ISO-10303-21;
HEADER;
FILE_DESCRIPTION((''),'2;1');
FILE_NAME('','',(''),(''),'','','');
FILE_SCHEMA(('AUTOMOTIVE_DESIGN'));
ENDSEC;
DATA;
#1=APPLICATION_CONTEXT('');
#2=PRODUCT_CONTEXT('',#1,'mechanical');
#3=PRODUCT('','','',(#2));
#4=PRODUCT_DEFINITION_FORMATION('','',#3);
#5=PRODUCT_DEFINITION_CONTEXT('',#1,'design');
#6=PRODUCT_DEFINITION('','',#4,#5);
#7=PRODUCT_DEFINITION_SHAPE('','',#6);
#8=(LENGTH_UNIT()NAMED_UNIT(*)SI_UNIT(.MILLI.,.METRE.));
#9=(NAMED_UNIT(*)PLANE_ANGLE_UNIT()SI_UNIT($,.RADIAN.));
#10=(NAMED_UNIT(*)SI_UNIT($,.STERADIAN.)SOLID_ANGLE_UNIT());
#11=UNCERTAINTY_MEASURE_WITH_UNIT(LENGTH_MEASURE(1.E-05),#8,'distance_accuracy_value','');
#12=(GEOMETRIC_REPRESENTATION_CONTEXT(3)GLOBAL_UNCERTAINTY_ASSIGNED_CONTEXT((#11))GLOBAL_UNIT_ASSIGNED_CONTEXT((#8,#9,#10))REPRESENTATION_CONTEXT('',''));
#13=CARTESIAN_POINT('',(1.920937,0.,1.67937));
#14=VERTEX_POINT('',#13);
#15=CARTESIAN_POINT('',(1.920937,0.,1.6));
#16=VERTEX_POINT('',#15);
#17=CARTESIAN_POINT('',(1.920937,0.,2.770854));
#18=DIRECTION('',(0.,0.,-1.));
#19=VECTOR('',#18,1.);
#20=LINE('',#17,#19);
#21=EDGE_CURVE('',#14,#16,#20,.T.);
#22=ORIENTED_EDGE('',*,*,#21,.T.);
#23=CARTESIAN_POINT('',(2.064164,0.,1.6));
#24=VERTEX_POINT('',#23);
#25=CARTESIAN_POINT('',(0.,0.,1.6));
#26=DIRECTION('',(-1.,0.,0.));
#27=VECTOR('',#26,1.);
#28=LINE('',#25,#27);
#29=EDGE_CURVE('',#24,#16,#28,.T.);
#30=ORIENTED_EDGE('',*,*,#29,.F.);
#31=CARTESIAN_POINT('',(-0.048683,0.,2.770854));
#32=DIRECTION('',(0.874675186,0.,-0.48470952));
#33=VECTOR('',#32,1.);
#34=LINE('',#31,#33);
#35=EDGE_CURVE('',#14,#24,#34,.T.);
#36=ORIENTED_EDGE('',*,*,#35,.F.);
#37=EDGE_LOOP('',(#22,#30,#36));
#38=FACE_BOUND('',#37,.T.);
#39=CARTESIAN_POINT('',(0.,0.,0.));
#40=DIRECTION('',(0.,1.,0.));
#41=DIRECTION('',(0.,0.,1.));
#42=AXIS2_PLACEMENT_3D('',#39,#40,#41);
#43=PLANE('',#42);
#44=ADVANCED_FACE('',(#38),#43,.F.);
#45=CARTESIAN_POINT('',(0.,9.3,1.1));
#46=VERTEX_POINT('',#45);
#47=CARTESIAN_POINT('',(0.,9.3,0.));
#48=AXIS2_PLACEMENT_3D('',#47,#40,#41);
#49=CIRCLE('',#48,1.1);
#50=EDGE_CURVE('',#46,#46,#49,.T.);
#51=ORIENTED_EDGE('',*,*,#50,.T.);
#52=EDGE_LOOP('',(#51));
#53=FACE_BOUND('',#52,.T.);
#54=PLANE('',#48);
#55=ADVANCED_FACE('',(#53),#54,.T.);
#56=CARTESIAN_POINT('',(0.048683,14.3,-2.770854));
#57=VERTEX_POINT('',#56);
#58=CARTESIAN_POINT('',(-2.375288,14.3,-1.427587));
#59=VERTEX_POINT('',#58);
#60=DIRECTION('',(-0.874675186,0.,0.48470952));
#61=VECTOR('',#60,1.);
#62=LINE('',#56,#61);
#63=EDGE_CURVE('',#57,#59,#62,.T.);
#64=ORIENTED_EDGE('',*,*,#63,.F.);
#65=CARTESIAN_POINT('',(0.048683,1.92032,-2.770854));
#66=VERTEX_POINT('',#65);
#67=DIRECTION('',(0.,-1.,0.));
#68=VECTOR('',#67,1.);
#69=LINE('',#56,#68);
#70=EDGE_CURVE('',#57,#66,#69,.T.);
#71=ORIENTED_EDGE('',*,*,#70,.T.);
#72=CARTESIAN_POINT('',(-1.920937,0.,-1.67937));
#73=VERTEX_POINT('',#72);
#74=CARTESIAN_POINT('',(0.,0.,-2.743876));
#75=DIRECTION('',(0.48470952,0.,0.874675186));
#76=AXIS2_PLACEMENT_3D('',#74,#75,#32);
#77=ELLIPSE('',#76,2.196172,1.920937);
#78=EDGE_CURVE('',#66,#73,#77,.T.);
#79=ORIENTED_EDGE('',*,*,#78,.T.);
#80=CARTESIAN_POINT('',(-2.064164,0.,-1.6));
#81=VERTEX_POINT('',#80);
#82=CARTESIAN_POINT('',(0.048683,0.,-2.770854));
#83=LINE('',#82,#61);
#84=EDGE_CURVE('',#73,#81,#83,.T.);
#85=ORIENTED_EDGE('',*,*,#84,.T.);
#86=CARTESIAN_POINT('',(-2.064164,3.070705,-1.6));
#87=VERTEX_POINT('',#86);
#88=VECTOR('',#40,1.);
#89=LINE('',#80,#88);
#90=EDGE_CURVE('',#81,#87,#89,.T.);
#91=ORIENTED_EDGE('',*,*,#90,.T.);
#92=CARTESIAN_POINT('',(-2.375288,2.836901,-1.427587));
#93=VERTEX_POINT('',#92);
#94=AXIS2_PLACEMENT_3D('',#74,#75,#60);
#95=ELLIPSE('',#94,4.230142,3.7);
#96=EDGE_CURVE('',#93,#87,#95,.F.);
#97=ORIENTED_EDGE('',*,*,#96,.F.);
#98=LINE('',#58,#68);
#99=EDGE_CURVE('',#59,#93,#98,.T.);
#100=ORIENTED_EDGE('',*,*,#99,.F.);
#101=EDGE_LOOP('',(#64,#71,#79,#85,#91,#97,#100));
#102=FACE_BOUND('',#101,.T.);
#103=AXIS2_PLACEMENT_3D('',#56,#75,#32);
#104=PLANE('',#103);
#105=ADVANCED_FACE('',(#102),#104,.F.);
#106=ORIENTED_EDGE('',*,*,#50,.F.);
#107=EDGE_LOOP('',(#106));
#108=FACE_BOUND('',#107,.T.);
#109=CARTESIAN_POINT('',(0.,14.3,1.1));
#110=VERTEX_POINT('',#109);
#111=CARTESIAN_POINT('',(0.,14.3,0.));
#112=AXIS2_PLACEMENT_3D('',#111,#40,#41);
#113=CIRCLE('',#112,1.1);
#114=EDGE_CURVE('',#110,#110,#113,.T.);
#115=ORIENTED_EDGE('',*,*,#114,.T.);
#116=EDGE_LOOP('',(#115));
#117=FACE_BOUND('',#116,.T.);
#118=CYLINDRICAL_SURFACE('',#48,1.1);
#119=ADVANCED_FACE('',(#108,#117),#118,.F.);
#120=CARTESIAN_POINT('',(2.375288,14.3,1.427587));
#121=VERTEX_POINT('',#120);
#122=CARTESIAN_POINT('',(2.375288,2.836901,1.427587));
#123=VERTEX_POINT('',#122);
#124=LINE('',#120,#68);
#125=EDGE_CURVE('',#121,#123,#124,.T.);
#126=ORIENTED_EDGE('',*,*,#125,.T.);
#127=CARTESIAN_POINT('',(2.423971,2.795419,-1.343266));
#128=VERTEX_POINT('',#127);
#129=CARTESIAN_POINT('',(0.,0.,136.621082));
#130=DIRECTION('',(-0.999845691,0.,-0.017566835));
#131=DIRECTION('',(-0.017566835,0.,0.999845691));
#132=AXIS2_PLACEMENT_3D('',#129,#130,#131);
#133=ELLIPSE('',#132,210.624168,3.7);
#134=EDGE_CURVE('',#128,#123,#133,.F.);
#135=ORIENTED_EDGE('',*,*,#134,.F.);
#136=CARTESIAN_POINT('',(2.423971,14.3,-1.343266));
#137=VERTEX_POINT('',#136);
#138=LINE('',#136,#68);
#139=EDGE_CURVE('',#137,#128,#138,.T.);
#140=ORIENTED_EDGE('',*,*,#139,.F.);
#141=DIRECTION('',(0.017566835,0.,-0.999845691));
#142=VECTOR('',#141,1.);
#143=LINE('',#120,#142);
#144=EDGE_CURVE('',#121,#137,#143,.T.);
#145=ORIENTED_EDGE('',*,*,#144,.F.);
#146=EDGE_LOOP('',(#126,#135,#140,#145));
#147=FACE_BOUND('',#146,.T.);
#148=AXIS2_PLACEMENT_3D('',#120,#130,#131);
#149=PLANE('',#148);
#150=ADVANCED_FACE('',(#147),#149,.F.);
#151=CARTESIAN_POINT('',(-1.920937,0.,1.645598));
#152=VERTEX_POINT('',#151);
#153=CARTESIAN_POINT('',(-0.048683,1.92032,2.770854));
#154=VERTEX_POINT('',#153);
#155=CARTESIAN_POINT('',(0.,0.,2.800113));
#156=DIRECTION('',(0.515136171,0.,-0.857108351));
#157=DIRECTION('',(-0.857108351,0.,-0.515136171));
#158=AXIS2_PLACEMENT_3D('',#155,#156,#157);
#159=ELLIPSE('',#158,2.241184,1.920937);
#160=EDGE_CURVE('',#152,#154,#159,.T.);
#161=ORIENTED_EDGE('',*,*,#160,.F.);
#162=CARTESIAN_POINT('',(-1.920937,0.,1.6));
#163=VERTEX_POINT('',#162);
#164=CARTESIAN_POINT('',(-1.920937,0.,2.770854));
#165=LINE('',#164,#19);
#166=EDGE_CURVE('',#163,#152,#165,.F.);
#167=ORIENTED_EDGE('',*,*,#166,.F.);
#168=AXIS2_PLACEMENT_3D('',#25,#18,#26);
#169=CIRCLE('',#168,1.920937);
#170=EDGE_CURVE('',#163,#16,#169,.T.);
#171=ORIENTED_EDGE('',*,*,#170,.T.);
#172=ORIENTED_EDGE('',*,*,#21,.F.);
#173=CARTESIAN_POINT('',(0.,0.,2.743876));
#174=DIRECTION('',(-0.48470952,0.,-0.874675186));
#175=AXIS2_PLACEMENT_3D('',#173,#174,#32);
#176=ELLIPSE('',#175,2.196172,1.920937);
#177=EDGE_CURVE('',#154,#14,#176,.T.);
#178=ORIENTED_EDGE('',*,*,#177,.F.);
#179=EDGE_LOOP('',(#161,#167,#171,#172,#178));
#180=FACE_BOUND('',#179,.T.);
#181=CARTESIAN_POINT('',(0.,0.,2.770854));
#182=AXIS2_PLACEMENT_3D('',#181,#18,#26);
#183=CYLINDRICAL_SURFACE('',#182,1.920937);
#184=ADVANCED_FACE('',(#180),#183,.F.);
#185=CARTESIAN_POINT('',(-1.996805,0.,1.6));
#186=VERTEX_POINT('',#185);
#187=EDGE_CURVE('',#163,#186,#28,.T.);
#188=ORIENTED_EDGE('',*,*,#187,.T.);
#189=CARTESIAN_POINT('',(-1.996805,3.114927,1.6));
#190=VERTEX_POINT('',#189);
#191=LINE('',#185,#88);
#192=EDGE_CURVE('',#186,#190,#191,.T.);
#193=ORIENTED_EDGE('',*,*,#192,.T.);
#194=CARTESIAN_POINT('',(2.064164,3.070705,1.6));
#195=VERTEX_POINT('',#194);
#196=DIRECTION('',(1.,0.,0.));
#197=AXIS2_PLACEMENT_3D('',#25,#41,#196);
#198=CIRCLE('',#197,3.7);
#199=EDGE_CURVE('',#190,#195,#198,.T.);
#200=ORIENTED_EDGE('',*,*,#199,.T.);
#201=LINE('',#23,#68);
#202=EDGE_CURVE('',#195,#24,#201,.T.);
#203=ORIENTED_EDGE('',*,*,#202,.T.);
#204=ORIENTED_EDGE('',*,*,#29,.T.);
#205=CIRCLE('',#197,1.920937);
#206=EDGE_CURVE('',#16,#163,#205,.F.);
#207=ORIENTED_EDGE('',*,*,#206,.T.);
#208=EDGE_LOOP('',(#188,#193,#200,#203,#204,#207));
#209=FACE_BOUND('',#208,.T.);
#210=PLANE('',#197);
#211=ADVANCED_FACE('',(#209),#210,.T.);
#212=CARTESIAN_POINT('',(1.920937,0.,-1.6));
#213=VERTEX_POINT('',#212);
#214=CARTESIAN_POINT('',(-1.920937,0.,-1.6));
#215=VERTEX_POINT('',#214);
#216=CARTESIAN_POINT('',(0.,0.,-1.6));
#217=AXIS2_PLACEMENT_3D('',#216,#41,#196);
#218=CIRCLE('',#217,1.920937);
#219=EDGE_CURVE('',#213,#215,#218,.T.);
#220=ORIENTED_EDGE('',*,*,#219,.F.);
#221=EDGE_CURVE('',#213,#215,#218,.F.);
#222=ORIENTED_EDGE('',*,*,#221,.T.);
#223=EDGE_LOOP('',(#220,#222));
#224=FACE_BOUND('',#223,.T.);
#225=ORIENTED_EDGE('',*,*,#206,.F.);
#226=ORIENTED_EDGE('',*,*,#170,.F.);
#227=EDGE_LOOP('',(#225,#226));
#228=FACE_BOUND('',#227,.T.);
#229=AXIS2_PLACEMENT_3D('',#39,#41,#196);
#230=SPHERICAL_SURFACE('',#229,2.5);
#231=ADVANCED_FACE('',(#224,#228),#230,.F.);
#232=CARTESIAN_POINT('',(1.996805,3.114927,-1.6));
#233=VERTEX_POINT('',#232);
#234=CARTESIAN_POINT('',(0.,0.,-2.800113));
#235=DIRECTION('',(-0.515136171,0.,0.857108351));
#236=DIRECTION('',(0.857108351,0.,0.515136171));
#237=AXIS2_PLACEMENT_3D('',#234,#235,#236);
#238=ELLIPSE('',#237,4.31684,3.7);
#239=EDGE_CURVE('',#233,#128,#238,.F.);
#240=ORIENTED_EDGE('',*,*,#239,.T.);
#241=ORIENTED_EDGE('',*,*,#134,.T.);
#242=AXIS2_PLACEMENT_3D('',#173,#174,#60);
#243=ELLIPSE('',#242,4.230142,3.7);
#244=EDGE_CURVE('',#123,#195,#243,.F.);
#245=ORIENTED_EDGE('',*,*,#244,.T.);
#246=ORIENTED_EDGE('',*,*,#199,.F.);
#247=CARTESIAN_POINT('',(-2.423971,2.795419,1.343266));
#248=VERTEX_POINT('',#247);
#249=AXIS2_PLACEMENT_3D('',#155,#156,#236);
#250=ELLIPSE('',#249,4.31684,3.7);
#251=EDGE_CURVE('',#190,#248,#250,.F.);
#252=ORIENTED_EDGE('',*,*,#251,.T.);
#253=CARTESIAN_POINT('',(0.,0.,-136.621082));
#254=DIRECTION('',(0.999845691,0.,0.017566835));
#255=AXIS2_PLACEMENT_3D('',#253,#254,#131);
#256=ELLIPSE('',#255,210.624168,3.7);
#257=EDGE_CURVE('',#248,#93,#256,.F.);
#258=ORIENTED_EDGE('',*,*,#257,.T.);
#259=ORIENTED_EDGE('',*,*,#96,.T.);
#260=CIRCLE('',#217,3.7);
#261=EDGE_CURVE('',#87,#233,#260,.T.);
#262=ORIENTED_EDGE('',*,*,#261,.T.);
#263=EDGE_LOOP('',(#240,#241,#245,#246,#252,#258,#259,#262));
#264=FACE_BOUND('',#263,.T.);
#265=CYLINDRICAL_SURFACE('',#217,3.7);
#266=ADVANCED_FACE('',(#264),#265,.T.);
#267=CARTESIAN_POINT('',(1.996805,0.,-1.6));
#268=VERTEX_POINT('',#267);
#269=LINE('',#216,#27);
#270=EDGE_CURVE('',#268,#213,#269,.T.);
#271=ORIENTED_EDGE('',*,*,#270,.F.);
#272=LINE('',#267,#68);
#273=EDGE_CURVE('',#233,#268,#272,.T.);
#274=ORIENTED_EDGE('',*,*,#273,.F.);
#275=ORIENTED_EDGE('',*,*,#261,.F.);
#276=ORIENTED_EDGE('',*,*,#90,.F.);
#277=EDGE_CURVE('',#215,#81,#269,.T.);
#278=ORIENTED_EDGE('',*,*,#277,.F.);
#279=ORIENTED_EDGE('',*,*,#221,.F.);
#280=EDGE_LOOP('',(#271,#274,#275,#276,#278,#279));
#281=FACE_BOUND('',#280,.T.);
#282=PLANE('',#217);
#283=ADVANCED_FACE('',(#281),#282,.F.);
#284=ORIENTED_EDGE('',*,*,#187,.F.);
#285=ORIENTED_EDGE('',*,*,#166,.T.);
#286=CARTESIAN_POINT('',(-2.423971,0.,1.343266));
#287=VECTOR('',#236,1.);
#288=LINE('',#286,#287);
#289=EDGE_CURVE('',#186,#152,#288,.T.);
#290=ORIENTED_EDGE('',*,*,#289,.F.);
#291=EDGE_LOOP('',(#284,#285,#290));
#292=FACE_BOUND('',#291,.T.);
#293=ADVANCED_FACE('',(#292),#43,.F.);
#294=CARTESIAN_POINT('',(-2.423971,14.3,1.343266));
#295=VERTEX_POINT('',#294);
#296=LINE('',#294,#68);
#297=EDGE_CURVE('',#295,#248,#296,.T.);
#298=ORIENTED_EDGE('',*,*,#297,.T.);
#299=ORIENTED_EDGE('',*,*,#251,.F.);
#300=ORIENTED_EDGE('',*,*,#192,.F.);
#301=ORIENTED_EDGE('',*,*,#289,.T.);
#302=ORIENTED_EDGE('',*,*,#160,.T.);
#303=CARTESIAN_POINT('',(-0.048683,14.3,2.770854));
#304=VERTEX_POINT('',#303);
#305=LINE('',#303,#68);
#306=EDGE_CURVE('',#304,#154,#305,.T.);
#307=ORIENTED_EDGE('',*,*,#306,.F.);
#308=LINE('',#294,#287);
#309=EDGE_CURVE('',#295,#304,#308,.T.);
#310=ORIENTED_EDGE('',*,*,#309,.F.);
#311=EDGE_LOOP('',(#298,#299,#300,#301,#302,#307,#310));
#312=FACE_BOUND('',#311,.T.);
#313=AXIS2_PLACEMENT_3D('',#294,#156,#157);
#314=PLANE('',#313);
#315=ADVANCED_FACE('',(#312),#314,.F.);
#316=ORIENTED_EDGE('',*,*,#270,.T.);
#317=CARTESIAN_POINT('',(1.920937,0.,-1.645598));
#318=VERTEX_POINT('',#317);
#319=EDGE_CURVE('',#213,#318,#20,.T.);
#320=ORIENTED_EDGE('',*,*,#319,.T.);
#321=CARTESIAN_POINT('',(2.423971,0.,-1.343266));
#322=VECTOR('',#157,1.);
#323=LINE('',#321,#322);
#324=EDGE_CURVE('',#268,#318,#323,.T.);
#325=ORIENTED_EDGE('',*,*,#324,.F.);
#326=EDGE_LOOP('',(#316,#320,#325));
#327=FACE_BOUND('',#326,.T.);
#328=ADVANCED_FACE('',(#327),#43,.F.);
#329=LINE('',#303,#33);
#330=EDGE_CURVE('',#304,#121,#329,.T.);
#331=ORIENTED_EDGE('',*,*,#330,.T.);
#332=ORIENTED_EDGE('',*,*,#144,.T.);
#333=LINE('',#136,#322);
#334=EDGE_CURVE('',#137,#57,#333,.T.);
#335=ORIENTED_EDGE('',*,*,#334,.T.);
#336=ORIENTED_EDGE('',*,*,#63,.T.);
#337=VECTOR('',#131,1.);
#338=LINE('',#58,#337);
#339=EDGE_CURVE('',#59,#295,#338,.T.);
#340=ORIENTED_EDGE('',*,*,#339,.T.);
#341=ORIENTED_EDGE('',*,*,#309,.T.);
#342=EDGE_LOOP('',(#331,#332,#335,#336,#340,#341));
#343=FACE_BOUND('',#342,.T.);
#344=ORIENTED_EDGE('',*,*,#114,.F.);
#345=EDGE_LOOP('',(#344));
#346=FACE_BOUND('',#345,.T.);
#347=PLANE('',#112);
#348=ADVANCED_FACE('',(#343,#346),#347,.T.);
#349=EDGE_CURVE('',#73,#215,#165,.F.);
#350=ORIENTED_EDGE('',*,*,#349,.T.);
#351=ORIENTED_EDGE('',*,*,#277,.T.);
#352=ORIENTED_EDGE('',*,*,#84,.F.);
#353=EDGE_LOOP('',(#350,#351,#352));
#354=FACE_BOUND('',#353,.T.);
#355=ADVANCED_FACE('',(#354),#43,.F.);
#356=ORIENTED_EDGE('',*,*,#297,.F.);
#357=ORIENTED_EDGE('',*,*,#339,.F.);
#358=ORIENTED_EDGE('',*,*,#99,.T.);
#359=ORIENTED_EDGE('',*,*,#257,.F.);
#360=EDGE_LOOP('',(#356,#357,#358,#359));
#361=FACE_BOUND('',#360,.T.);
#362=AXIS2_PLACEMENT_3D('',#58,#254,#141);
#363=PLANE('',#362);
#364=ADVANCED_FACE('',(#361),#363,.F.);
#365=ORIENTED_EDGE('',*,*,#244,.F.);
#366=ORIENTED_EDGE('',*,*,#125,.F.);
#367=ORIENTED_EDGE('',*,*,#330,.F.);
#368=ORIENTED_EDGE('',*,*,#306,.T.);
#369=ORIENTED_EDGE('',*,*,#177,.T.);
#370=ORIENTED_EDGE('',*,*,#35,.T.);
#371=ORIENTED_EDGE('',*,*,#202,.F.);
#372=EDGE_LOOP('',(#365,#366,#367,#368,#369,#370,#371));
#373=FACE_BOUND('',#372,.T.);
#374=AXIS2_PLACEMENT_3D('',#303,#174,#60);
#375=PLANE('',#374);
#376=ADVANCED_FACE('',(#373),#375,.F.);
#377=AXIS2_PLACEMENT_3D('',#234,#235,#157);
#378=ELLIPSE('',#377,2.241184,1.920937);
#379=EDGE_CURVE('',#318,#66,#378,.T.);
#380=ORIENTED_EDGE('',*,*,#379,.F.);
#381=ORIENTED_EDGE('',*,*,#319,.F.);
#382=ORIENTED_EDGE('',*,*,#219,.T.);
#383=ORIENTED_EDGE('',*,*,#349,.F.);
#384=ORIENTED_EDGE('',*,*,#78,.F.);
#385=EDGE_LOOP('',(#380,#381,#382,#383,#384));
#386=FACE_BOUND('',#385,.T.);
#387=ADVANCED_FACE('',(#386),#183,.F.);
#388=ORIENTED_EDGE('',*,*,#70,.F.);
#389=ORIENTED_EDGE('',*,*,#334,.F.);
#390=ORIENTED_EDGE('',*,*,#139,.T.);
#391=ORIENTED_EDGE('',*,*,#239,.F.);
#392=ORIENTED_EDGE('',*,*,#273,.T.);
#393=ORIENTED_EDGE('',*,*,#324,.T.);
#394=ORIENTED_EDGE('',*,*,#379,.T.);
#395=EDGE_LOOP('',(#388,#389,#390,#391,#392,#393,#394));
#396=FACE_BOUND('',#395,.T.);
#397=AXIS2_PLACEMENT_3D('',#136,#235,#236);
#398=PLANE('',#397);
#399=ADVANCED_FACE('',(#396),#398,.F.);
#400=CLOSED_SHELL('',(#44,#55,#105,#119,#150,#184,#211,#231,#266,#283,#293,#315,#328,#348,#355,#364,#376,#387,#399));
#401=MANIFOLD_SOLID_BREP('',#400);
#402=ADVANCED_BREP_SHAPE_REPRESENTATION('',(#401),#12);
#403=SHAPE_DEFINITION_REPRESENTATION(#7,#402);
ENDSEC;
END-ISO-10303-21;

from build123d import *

# Parameters (mm, degrees)
EXTRUDE_1_DEPTH          = 1.6
EXTRUDE_1_DEPTH_BACK     = 1.6
SKETCH_1_R               = 3.7
EXTRUDE_3_DEPTH          = 14.3
SKETCH_9_R               = 1.1
CUT_EXTRUDE_1_DEPTH      = 5
CUT_EXTRUDE_2_DEPTH      = 16.404037189
CUT_EXTRUDE_2_DEPTH_BACK = 16.404037189
SKETCH_10_R              = 1.920937271


with BuildPart() as part:
    # 草圖1 → 填料-伸長1 (new, two sides: drawn at the far end of the back side and taken through both)
    with BuildSketch(Plane.XY.offset(-EXTRUDE_1_DEPTH_BACK)):
        Circle(SKETCH_1_R)
    extrude(amount=EXTRUDE_1_DEPTH + EXTRUDE_1_DEPTH_BACK)

    # 草圖8 → 填料-伸長3 (add)
    with BuildSketch(Plane(origin=(0, 0, 0), x_dir=(1, 0, 0), z_dir=(0, 1, 0))):
        Polygon((0.048682641, 2.770853659), (-2.375288338, 1.427587234), (-2.42397098, -1.343266426), (-0.048682641, -2.770853659), (2.375288338, -1.427587234), (2.42397098, 1.343266426), align=None)
    extrude(amount=EXTRUDE_3_DEPTH)

    # 草圖7 → 除料-旋轉7 (revolve, cut)
    with BuildSketch(Plane.XY):
        with BuildLine():
            Line((0, 2.5), (0, -2.5))
            ThreePointArc((0, -2.5), (2.5, 0), (0, 2.5))
        make_face()
    revolve(axis=Axis((0, 2.5, 0), (0, -1, 0)), mode=Mode.SUBTRACT)

    # 草圖9 → 除料-伸長1 (cut)
    with BuildSketch(Plane(origin=(0, 14.3, 0), x_dir=(1, 0, 0), z_dir=(0, 1, 0))):
        Circle(SKETCH_9_R)
    extrude(amount=-CUT_EXTRUDE_1_DEPTH, mode=Mode.SUBTRACT)

    # 草圖10 → 除料-伸長2 (cut, two sides: drawn at the far end of the back side and taken through both)
    with BuildSketch(Plane(origin=(0, 0, -1.6), x_dir=(-1, 0, 0), z_dir=(0, 0, -1)).offset(-CUT_EXTRUDE_2_DEPTH_BACK)):
        Circle(SKETCH_10_R)
    extrude(amount=CUT_EXTRUDE_2_DEPTH + CUT_EXTRUDE_2_DEPTH_BACK, mode=Mode.SUBTRACT)


solid = part.part
